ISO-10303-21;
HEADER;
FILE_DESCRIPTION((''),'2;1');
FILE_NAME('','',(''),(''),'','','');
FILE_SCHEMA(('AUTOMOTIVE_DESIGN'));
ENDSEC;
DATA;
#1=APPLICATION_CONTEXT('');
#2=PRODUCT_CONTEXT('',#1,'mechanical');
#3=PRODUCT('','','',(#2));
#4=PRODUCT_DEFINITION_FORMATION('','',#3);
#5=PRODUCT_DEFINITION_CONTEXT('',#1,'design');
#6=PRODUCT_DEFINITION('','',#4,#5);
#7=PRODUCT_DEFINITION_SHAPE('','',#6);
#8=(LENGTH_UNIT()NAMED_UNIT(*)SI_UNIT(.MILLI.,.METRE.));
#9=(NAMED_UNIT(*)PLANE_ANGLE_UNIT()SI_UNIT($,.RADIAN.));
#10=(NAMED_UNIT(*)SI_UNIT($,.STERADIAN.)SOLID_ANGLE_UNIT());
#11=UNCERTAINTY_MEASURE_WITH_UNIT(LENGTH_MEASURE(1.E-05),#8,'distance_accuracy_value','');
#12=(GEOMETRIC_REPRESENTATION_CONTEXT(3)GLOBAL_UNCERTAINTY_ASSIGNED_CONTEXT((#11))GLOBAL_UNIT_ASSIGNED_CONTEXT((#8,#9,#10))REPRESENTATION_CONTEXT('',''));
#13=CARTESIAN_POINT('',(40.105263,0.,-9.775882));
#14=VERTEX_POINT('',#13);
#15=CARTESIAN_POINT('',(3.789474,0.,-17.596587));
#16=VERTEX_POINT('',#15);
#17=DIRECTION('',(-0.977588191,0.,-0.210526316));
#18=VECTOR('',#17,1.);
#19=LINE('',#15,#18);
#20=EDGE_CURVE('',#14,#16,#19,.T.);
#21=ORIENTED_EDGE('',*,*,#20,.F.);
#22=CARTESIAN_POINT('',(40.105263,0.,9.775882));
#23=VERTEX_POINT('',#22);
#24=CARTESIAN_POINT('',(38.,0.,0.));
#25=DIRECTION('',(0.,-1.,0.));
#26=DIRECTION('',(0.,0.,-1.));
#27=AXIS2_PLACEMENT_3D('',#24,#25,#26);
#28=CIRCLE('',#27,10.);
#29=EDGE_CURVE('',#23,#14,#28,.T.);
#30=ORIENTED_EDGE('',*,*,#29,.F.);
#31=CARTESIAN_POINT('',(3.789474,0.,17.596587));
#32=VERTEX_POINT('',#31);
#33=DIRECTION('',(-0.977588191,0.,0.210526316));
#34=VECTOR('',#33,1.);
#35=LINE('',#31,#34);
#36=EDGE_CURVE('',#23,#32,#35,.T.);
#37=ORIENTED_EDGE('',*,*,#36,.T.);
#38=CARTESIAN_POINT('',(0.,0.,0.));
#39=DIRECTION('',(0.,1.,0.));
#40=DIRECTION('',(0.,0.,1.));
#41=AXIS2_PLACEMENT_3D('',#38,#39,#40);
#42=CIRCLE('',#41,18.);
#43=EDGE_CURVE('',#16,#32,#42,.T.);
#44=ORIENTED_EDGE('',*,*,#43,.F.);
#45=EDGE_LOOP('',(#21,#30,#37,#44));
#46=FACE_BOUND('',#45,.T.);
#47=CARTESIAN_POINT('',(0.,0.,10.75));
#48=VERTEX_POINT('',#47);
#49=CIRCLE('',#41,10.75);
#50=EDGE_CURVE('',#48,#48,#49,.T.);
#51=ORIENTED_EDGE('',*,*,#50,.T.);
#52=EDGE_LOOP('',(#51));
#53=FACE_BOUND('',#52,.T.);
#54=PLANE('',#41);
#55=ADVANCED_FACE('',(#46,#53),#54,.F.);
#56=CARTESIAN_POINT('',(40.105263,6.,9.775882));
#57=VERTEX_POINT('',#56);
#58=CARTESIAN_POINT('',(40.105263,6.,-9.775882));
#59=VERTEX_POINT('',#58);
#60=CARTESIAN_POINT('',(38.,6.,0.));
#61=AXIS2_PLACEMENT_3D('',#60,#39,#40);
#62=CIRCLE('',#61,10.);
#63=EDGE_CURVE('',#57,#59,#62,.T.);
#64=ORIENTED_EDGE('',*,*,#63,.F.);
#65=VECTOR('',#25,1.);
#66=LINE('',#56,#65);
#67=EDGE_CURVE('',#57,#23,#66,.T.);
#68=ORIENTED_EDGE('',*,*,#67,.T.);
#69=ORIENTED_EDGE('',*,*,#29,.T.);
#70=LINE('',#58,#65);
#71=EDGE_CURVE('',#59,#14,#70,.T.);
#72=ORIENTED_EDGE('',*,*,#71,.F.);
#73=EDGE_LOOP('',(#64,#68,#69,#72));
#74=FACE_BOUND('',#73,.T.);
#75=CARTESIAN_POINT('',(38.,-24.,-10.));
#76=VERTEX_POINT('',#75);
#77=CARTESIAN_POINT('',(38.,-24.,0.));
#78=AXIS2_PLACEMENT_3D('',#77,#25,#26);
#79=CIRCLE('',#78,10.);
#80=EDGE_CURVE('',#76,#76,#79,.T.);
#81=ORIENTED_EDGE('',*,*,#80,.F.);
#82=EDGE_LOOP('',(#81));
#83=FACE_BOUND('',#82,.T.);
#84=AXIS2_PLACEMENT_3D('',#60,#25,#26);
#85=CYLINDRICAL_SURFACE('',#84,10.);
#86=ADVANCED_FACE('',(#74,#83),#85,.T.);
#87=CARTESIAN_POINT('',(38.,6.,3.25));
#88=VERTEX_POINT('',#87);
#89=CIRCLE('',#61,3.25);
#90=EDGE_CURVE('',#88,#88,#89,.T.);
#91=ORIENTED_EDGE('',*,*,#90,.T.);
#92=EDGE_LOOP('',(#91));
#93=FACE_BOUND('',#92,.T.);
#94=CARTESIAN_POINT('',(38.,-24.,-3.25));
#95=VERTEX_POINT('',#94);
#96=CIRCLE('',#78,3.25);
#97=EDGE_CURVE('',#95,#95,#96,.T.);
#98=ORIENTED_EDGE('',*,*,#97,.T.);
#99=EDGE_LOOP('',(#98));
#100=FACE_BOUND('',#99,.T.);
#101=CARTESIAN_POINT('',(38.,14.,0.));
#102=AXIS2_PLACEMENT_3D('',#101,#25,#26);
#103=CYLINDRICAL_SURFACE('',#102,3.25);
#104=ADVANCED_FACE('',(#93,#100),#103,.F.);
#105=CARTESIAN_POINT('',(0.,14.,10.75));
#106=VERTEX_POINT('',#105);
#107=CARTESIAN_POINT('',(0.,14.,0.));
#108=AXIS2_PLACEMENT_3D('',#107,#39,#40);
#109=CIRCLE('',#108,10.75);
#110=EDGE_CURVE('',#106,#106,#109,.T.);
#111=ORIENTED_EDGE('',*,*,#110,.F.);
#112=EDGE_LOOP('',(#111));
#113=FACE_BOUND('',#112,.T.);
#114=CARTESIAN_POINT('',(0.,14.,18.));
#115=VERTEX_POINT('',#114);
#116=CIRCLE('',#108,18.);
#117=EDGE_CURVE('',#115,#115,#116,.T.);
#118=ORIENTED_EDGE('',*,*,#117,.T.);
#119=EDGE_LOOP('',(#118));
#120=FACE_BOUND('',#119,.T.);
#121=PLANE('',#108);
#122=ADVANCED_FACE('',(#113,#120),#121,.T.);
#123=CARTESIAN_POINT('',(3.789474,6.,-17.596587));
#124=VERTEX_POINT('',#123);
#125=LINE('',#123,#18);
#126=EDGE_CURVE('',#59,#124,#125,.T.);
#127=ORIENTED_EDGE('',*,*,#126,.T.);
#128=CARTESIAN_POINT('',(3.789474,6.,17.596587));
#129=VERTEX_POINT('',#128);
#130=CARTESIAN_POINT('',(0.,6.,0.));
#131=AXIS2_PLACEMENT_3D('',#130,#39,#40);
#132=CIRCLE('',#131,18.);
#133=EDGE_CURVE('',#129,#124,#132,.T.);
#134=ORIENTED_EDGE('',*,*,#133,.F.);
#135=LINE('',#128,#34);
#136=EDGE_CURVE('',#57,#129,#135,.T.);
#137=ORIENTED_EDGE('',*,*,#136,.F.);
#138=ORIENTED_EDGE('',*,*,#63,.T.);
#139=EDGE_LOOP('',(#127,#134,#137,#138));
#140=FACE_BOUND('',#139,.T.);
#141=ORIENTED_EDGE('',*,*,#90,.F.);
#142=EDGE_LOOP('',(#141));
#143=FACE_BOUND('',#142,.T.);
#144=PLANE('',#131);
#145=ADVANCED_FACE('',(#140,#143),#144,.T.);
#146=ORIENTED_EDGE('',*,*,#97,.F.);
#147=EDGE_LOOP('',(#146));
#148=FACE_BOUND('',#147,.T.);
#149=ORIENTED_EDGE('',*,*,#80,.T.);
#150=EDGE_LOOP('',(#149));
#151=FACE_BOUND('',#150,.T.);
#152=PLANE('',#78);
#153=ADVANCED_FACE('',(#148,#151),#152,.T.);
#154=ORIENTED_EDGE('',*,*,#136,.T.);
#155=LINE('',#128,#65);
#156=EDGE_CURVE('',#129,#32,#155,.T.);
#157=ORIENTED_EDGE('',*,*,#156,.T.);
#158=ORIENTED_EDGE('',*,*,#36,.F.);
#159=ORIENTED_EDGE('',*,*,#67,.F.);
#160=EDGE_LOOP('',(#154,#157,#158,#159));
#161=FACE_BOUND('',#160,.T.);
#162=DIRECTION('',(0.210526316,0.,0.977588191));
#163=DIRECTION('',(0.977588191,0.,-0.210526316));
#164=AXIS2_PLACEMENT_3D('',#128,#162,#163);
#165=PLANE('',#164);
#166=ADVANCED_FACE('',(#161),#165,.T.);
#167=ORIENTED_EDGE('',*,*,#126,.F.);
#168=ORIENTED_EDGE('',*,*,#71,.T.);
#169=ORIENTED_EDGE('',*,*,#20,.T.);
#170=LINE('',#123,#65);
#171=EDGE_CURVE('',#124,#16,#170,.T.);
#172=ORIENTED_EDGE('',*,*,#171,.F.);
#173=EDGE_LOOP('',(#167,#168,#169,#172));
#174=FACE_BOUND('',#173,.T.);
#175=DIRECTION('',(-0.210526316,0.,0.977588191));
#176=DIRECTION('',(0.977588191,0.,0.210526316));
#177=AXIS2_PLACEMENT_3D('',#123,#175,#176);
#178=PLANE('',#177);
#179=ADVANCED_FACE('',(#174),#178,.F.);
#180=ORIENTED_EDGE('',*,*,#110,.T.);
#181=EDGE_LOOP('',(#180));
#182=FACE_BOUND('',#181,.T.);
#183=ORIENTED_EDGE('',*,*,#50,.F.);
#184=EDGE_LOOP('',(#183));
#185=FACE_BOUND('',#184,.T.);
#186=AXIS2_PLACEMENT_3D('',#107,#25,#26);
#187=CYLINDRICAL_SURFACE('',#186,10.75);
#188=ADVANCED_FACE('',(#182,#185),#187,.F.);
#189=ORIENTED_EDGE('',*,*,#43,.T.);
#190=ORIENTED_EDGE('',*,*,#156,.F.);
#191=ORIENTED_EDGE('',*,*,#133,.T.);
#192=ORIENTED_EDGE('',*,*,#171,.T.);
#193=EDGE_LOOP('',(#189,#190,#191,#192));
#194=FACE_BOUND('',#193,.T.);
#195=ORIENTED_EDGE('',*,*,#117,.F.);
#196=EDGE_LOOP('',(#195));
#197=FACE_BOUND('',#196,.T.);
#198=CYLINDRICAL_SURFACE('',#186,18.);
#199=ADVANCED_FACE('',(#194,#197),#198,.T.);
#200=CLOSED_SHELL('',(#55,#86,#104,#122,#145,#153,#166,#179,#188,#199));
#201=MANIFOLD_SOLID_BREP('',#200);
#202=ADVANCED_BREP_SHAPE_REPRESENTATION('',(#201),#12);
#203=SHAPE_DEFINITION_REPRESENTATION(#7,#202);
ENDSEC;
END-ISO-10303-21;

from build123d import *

# Parameters (mm, degrees)
SKETCH1_R           = 10.75
BOSS_EXTRUDE1_DEPTH = 14
BOSS_EXTRUDE2_DEPTH = 6
BOSS_EXTRUDE3_START = 24
SKETCH6_R           = 10
BOSS_EXTRUDE3_DEPTH = 24
SKETCH7_R           = 3.25
CUT_EXTRUDE1_DEPTH  = 64.812224534


with BuildPart() as part:
    # Sketch1 → Boss-Extrude1 (new body)
    with BuildSketch(Plane(origin=(0, 0, 0), x_dir=(1, 0, 0), z_dir=(0, 1, 0))):
        with BuildLine():
            ThreePointArc((18, 0), (14.003758894, 11.309055524), (3.789473684, 17.59658743))
            ThreePointArc((3.789473684, 17.59658743), (-18, 0), (3.789473684, -17.59658743))
            ThreePointArc((3.789473684, -17.59658743), (14.003758894, -11.309055524), (18, 0))
        make_face()
        Circle(SKETCH1_R, mode=Mode.SUBTRACT)
    extrude(amount=BOSS_EXTRUDE1_DEPTH)

    # Sketch1<4> → Boss-Extrude2 (add)
    with BuildSketch(Plane(origin=(0, 0, 0), x_dir=(1, 0, 0), z_dir=(0, 1, 0))):
        with BuildLine():
            ThreePointArc((40.105263158, -9.775881906), (48, 0), (40.105263158, 9.775881906))
            Line((40.105263158, 9.775881906), (3.789473684, 17.59658743))
            ThreePointArc((3.789473684, 17.59658743), (14.003758894, 11.309055524), (18, 0))
            ThreePointArc((18, 0), (14.003758894, -11.309055524), (3.789473684, -17.59658743))
            Line((3.789473684, -17.59658743), (40.105263158, -9.775881906))
        make_face()
    extrude(amount=BOSS_EXTRUDE2_DEPTH)

    # Sketch6 → Boss-Extrude3 (add)
    with BuildSketch(Plane.XZ.offset(BOSS_EXTRUDE3_START)):
        with Locations((38, 0)):
            Circle(SKETCH6_R)
    extrude(amount=-BOSS_EXTRUDE3_DEPTH)

    # Sketch7 → Cut-Extrude1 (cut, through all)
    with BuildSketch(Plane.XZ.offset(24)):
        with Locations((38, 0)):
            Circle(SKETCH7_R)
    extrude(amount=-CUT_EXTRUDE1_DEPTH, mode=Mode.SUBTRACT)


solid = part.part
